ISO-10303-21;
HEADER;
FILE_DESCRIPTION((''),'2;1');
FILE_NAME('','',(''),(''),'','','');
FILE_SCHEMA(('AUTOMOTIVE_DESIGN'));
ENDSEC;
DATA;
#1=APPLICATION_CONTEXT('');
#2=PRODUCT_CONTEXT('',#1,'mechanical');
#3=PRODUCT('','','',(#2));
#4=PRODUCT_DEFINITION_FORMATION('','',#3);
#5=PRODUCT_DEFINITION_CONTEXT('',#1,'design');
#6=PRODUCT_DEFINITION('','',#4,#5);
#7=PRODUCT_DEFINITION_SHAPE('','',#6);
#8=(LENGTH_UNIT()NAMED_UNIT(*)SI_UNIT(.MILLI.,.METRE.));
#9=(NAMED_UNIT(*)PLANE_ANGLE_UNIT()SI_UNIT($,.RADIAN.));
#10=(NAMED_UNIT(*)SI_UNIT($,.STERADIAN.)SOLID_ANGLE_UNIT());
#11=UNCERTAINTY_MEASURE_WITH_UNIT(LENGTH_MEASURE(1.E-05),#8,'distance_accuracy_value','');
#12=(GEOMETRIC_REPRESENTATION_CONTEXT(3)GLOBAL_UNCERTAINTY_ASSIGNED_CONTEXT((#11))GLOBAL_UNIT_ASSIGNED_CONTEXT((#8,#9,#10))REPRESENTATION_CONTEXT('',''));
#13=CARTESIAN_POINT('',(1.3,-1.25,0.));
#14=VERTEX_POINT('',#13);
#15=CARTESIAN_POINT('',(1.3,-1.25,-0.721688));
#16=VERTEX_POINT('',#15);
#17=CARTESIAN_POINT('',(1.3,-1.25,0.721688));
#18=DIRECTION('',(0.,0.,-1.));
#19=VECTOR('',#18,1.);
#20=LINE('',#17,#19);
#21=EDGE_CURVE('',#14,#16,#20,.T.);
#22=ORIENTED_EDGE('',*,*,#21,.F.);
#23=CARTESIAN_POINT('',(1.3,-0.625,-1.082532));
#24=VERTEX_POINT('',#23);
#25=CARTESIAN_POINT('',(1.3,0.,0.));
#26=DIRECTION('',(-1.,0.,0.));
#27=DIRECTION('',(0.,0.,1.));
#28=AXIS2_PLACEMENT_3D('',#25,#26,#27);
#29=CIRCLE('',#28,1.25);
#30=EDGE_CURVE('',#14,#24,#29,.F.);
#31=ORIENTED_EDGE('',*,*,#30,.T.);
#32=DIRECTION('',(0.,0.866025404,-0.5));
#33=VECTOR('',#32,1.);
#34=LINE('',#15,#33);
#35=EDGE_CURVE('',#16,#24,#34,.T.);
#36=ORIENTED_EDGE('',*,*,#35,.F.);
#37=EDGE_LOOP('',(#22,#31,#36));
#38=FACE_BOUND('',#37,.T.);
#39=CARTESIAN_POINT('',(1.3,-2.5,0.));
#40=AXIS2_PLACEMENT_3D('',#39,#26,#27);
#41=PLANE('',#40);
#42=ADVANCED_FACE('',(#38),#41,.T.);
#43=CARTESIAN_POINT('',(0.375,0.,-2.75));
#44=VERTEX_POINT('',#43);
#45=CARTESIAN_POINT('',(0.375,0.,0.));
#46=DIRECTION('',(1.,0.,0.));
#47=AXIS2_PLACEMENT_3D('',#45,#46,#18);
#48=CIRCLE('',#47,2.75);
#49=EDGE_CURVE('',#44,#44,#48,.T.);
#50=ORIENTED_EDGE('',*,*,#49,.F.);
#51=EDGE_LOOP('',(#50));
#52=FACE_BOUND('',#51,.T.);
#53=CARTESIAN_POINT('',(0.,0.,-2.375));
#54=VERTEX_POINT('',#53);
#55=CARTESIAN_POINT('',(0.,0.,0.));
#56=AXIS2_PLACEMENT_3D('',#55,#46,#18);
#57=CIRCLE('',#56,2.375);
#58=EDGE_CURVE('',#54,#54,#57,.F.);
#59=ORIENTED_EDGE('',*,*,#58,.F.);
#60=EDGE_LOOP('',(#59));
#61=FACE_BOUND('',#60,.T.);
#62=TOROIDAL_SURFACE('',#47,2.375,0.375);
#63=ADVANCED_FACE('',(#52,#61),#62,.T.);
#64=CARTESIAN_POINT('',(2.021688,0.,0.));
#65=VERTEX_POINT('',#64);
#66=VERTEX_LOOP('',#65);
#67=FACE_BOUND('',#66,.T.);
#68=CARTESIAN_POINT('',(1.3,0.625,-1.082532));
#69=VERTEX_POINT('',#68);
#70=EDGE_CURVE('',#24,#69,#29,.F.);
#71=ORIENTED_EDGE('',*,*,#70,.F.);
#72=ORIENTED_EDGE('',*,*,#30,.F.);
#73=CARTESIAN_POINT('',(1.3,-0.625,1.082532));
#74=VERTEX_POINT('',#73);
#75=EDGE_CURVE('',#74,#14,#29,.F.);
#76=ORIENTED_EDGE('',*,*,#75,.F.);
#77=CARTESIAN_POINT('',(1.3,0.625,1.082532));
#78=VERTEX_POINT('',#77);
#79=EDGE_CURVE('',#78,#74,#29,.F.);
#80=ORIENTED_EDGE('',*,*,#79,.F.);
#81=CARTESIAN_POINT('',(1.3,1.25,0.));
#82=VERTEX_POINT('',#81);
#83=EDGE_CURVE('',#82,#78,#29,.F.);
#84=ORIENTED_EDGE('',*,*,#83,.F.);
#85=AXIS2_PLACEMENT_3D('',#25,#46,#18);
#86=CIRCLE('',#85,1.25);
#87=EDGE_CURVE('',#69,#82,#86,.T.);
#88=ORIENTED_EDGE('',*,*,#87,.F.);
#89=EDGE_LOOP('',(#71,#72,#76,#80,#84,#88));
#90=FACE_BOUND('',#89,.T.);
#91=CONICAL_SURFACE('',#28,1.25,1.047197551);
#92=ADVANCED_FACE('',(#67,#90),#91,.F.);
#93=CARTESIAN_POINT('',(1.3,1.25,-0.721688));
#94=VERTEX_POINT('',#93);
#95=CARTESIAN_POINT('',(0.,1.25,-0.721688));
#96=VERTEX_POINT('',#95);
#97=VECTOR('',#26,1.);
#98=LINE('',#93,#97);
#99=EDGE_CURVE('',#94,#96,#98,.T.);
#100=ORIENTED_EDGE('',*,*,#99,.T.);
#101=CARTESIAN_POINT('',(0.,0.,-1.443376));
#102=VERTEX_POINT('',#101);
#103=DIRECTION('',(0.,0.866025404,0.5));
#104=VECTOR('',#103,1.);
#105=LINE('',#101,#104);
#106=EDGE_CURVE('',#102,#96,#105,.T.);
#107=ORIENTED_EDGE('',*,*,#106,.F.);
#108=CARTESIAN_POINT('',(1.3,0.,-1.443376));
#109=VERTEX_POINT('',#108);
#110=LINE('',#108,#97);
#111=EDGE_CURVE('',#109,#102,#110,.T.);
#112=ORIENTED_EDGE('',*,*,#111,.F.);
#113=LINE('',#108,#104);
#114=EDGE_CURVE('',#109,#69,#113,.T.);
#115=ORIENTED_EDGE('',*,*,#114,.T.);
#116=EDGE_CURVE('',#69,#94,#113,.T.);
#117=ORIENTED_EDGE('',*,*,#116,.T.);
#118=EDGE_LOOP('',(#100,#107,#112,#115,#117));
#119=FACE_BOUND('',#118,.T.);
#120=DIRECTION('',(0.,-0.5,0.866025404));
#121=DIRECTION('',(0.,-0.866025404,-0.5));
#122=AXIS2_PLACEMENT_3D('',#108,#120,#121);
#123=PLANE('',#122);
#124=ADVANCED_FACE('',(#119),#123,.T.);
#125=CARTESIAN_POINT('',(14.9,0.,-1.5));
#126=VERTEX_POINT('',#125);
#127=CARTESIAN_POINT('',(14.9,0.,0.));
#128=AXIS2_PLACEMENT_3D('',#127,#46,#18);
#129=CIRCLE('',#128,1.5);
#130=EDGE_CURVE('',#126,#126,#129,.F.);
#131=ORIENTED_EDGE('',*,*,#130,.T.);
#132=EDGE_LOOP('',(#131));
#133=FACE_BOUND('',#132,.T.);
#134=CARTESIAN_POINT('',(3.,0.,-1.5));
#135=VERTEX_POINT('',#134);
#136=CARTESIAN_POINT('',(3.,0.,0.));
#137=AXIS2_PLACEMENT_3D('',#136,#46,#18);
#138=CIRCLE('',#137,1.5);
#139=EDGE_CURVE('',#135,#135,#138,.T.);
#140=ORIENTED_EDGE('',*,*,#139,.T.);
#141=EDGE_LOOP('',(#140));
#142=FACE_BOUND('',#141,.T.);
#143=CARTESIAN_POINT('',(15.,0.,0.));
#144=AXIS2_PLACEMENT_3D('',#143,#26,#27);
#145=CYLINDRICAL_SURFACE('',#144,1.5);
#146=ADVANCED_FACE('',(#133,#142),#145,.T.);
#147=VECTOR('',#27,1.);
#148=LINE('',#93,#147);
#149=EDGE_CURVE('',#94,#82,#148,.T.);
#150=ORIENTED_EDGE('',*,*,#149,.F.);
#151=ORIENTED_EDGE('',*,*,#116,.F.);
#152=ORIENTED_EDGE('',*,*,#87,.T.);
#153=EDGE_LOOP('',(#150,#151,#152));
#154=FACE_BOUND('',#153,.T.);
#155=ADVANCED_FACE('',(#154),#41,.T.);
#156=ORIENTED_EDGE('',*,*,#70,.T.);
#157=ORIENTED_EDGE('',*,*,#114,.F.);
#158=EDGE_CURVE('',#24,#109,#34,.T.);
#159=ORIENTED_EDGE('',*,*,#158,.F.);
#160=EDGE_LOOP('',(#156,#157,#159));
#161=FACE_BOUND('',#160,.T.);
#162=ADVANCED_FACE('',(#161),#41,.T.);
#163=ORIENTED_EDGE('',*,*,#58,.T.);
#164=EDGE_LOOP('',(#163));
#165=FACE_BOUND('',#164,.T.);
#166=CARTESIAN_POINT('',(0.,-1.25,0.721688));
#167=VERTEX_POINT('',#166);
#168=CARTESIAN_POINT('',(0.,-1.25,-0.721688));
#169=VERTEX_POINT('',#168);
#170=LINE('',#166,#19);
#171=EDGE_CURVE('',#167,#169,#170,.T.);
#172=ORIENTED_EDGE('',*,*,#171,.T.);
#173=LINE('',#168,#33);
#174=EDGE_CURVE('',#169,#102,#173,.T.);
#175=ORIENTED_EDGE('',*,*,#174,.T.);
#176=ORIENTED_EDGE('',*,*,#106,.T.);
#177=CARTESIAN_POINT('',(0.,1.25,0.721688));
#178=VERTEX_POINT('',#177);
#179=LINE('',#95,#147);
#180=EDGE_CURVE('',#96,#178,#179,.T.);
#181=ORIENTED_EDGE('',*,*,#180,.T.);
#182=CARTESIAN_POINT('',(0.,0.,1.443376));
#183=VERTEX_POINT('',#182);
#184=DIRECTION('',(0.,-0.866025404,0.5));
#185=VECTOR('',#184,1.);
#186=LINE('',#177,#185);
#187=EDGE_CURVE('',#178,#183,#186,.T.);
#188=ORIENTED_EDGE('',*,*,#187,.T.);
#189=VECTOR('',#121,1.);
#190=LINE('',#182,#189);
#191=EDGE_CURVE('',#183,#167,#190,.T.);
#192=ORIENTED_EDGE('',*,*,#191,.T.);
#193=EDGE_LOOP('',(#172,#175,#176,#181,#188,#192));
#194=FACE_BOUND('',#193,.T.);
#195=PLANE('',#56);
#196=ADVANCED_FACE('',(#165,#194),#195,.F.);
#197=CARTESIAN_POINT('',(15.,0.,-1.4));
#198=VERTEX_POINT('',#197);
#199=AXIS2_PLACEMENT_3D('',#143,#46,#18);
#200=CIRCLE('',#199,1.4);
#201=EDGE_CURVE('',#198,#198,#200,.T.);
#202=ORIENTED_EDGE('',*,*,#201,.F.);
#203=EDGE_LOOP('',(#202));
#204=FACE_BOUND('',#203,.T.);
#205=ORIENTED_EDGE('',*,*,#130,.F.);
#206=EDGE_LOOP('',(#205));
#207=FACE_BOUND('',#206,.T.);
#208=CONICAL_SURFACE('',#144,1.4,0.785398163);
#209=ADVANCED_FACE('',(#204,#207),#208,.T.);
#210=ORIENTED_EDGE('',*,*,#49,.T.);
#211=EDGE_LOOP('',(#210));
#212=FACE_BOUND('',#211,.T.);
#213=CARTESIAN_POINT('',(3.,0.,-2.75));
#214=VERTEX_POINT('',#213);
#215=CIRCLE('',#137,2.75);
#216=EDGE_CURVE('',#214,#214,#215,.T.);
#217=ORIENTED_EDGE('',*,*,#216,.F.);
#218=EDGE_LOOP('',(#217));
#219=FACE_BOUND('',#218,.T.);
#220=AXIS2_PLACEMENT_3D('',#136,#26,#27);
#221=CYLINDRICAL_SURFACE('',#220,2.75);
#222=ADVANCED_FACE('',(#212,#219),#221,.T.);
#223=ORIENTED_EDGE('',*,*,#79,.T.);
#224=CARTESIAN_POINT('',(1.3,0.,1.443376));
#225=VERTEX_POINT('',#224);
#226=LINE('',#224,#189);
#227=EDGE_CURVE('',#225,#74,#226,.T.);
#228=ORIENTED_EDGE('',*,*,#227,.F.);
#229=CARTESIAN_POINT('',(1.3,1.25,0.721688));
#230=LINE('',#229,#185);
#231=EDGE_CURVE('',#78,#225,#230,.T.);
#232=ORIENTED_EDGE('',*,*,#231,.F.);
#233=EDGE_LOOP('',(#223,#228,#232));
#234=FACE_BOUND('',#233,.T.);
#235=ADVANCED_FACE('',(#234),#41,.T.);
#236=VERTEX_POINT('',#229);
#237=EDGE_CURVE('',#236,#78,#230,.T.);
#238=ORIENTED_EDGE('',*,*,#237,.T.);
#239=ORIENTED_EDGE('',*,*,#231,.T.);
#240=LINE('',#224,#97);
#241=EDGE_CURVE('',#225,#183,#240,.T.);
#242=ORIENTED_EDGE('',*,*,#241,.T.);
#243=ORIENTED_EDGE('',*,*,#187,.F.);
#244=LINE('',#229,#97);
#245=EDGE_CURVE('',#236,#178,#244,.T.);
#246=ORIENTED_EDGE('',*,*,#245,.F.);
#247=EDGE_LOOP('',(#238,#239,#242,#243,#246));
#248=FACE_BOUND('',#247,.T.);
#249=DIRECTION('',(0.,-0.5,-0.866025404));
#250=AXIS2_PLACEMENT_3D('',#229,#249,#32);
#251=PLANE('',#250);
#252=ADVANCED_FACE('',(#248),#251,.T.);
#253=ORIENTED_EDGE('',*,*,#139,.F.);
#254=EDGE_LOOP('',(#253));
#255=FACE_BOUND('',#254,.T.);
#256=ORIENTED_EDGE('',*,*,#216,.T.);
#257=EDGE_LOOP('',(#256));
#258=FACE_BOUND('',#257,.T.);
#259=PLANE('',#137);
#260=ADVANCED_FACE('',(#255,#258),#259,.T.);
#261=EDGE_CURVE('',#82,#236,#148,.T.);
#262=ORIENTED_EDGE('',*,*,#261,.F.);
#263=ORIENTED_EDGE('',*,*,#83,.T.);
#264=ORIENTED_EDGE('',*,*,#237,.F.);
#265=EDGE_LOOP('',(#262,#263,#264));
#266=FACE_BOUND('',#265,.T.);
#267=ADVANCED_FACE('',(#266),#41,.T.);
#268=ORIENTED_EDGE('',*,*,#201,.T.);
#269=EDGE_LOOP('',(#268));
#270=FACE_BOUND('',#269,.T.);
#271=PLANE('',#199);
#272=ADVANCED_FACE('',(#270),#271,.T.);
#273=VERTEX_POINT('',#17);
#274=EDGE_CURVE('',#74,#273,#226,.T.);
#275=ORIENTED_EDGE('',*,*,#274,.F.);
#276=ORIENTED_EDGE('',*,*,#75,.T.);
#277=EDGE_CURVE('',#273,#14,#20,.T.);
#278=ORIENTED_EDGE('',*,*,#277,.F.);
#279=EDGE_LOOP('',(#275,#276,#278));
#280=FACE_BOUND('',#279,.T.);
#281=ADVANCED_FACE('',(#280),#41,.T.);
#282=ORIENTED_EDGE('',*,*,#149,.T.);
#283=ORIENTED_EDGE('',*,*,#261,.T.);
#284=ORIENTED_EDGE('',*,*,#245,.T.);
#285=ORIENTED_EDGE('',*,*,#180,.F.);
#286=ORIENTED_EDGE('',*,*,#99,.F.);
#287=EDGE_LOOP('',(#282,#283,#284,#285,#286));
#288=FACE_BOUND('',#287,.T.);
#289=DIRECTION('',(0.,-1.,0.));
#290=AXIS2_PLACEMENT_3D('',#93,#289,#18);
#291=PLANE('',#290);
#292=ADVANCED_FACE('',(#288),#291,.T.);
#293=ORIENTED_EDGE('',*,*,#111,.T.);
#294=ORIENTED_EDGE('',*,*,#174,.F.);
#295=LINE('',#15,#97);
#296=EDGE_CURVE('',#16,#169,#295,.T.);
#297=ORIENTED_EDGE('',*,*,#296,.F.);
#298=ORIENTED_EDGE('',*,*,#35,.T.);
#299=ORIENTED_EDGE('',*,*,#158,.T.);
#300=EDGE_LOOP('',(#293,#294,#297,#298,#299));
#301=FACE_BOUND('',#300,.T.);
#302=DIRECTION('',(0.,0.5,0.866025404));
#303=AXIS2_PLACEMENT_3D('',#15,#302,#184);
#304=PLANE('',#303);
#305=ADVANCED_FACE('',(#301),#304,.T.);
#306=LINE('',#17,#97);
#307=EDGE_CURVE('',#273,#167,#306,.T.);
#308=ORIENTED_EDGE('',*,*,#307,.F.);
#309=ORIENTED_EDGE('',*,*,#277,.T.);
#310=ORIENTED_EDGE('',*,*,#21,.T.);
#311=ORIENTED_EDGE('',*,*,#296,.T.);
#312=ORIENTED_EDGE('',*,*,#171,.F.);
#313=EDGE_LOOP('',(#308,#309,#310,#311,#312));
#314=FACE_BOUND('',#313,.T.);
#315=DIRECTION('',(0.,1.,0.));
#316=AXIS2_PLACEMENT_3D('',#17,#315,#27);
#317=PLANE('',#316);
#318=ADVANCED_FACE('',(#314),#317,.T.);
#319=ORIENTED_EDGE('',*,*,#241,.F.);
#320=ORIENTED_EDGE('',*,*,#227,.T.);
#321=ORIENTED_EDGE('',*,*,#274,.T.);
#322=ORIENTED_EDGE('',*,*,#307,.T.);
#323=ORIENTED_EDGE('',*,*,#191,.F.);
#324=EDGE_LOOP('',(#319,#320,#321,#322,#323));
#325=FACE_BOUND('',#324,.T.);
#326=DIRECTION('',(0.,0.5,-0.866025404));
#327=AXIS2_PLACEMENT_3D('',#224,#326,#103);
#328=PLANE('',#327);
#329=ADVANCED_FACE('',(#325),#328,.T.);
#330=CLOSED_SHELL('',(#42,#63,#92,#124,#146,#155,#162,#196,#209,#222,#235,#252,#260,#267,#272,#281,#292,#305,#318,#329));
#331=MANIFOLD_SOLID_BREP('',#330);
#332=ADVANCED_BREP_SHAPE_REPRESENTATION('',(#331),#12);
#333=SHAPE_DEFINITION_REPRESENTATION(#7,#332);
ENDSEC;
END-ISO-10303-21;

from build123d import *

# Parameters (mm, degrees)
SKETCH1_R           = 2.75
BASEHEAD_DEPTH      = 3
SKETCH2_R           = 1.5
BASEBODY_DEPTH      = 12
HEXAGONSOCKET_DEPTH = 1.3
TOPFILLET_R         = 0.375
CHAMFER1_SIZE       = 0.1


with BuildPart() as part:
    # Sketch1 → BaseHead (new body)
    with BuildSketch(Plane(origin=(0, 0, 0), x_dir=(0, 0, -1), z_dir=(1, 0, 0))):
        Circle(SKETCH1_R)
    extrude(amount=BASEHEAD_DEPTH)

    # Sketch2 → BaseBody (add)
    with BuildSketch(Plane(origin=(3, 0, 0), x_dir=(0, 0, -1), z_dir=(1, 0, 0))):
        Circle(SKETCH2_R)
    extrude(amount=BASEBODY_DEPTH)

    # Sketch3 → HexagonSocket (cut)
    with BuildSketch(Plane(origin=(0, 0, 0), x_dir=(0, 0, -1), z_dir=(1, 0, 0))):
        Polygon((1.443375673, 0), (0.721687836, 1.25), (-0.721687836, 1.25), (-1.443375673, 0), (-0.721687836, -1.25), (0.721687836, -1.25), align=None)
    extrude(amount=HEXAGONSOCKET_DEPTH, mode=Mode.SUBTRACT)

    # Sketch4 → Cut-Revolve1 (revolve, cut)
    with BuildSketch(Plane(origin=(-4.19613823, 0.75, 0), x_dir=(-1, 0, 0), z_dir=(0, 0, 1))):
        Polygon((-5.49613823, 2), (-6.217826066, 0.75), (-5.49613823, 0.75), align=None)
    revolve(axis=Axis((0.838992387, 0, 0), (-1, 0, 0)), mode=Mode.SUBTRACT)

    # TopFillet
    topfillet_edges = [part.edges().sort_by_distance(p)[0] for p in [
        (0, 0, 2.75),
    ]]
    fillet(topfillet_edges, radius=TOPFILLET_R)

    # Chamfer1
    chamfer1_edges = [part.edges().sort_by_distance(p)[0] for p in [
        (15, 0, 1.5),
    ]]
    chamfer(chamfer1_edges, length=CHAMFER1_SIZE)


solid = part.part
